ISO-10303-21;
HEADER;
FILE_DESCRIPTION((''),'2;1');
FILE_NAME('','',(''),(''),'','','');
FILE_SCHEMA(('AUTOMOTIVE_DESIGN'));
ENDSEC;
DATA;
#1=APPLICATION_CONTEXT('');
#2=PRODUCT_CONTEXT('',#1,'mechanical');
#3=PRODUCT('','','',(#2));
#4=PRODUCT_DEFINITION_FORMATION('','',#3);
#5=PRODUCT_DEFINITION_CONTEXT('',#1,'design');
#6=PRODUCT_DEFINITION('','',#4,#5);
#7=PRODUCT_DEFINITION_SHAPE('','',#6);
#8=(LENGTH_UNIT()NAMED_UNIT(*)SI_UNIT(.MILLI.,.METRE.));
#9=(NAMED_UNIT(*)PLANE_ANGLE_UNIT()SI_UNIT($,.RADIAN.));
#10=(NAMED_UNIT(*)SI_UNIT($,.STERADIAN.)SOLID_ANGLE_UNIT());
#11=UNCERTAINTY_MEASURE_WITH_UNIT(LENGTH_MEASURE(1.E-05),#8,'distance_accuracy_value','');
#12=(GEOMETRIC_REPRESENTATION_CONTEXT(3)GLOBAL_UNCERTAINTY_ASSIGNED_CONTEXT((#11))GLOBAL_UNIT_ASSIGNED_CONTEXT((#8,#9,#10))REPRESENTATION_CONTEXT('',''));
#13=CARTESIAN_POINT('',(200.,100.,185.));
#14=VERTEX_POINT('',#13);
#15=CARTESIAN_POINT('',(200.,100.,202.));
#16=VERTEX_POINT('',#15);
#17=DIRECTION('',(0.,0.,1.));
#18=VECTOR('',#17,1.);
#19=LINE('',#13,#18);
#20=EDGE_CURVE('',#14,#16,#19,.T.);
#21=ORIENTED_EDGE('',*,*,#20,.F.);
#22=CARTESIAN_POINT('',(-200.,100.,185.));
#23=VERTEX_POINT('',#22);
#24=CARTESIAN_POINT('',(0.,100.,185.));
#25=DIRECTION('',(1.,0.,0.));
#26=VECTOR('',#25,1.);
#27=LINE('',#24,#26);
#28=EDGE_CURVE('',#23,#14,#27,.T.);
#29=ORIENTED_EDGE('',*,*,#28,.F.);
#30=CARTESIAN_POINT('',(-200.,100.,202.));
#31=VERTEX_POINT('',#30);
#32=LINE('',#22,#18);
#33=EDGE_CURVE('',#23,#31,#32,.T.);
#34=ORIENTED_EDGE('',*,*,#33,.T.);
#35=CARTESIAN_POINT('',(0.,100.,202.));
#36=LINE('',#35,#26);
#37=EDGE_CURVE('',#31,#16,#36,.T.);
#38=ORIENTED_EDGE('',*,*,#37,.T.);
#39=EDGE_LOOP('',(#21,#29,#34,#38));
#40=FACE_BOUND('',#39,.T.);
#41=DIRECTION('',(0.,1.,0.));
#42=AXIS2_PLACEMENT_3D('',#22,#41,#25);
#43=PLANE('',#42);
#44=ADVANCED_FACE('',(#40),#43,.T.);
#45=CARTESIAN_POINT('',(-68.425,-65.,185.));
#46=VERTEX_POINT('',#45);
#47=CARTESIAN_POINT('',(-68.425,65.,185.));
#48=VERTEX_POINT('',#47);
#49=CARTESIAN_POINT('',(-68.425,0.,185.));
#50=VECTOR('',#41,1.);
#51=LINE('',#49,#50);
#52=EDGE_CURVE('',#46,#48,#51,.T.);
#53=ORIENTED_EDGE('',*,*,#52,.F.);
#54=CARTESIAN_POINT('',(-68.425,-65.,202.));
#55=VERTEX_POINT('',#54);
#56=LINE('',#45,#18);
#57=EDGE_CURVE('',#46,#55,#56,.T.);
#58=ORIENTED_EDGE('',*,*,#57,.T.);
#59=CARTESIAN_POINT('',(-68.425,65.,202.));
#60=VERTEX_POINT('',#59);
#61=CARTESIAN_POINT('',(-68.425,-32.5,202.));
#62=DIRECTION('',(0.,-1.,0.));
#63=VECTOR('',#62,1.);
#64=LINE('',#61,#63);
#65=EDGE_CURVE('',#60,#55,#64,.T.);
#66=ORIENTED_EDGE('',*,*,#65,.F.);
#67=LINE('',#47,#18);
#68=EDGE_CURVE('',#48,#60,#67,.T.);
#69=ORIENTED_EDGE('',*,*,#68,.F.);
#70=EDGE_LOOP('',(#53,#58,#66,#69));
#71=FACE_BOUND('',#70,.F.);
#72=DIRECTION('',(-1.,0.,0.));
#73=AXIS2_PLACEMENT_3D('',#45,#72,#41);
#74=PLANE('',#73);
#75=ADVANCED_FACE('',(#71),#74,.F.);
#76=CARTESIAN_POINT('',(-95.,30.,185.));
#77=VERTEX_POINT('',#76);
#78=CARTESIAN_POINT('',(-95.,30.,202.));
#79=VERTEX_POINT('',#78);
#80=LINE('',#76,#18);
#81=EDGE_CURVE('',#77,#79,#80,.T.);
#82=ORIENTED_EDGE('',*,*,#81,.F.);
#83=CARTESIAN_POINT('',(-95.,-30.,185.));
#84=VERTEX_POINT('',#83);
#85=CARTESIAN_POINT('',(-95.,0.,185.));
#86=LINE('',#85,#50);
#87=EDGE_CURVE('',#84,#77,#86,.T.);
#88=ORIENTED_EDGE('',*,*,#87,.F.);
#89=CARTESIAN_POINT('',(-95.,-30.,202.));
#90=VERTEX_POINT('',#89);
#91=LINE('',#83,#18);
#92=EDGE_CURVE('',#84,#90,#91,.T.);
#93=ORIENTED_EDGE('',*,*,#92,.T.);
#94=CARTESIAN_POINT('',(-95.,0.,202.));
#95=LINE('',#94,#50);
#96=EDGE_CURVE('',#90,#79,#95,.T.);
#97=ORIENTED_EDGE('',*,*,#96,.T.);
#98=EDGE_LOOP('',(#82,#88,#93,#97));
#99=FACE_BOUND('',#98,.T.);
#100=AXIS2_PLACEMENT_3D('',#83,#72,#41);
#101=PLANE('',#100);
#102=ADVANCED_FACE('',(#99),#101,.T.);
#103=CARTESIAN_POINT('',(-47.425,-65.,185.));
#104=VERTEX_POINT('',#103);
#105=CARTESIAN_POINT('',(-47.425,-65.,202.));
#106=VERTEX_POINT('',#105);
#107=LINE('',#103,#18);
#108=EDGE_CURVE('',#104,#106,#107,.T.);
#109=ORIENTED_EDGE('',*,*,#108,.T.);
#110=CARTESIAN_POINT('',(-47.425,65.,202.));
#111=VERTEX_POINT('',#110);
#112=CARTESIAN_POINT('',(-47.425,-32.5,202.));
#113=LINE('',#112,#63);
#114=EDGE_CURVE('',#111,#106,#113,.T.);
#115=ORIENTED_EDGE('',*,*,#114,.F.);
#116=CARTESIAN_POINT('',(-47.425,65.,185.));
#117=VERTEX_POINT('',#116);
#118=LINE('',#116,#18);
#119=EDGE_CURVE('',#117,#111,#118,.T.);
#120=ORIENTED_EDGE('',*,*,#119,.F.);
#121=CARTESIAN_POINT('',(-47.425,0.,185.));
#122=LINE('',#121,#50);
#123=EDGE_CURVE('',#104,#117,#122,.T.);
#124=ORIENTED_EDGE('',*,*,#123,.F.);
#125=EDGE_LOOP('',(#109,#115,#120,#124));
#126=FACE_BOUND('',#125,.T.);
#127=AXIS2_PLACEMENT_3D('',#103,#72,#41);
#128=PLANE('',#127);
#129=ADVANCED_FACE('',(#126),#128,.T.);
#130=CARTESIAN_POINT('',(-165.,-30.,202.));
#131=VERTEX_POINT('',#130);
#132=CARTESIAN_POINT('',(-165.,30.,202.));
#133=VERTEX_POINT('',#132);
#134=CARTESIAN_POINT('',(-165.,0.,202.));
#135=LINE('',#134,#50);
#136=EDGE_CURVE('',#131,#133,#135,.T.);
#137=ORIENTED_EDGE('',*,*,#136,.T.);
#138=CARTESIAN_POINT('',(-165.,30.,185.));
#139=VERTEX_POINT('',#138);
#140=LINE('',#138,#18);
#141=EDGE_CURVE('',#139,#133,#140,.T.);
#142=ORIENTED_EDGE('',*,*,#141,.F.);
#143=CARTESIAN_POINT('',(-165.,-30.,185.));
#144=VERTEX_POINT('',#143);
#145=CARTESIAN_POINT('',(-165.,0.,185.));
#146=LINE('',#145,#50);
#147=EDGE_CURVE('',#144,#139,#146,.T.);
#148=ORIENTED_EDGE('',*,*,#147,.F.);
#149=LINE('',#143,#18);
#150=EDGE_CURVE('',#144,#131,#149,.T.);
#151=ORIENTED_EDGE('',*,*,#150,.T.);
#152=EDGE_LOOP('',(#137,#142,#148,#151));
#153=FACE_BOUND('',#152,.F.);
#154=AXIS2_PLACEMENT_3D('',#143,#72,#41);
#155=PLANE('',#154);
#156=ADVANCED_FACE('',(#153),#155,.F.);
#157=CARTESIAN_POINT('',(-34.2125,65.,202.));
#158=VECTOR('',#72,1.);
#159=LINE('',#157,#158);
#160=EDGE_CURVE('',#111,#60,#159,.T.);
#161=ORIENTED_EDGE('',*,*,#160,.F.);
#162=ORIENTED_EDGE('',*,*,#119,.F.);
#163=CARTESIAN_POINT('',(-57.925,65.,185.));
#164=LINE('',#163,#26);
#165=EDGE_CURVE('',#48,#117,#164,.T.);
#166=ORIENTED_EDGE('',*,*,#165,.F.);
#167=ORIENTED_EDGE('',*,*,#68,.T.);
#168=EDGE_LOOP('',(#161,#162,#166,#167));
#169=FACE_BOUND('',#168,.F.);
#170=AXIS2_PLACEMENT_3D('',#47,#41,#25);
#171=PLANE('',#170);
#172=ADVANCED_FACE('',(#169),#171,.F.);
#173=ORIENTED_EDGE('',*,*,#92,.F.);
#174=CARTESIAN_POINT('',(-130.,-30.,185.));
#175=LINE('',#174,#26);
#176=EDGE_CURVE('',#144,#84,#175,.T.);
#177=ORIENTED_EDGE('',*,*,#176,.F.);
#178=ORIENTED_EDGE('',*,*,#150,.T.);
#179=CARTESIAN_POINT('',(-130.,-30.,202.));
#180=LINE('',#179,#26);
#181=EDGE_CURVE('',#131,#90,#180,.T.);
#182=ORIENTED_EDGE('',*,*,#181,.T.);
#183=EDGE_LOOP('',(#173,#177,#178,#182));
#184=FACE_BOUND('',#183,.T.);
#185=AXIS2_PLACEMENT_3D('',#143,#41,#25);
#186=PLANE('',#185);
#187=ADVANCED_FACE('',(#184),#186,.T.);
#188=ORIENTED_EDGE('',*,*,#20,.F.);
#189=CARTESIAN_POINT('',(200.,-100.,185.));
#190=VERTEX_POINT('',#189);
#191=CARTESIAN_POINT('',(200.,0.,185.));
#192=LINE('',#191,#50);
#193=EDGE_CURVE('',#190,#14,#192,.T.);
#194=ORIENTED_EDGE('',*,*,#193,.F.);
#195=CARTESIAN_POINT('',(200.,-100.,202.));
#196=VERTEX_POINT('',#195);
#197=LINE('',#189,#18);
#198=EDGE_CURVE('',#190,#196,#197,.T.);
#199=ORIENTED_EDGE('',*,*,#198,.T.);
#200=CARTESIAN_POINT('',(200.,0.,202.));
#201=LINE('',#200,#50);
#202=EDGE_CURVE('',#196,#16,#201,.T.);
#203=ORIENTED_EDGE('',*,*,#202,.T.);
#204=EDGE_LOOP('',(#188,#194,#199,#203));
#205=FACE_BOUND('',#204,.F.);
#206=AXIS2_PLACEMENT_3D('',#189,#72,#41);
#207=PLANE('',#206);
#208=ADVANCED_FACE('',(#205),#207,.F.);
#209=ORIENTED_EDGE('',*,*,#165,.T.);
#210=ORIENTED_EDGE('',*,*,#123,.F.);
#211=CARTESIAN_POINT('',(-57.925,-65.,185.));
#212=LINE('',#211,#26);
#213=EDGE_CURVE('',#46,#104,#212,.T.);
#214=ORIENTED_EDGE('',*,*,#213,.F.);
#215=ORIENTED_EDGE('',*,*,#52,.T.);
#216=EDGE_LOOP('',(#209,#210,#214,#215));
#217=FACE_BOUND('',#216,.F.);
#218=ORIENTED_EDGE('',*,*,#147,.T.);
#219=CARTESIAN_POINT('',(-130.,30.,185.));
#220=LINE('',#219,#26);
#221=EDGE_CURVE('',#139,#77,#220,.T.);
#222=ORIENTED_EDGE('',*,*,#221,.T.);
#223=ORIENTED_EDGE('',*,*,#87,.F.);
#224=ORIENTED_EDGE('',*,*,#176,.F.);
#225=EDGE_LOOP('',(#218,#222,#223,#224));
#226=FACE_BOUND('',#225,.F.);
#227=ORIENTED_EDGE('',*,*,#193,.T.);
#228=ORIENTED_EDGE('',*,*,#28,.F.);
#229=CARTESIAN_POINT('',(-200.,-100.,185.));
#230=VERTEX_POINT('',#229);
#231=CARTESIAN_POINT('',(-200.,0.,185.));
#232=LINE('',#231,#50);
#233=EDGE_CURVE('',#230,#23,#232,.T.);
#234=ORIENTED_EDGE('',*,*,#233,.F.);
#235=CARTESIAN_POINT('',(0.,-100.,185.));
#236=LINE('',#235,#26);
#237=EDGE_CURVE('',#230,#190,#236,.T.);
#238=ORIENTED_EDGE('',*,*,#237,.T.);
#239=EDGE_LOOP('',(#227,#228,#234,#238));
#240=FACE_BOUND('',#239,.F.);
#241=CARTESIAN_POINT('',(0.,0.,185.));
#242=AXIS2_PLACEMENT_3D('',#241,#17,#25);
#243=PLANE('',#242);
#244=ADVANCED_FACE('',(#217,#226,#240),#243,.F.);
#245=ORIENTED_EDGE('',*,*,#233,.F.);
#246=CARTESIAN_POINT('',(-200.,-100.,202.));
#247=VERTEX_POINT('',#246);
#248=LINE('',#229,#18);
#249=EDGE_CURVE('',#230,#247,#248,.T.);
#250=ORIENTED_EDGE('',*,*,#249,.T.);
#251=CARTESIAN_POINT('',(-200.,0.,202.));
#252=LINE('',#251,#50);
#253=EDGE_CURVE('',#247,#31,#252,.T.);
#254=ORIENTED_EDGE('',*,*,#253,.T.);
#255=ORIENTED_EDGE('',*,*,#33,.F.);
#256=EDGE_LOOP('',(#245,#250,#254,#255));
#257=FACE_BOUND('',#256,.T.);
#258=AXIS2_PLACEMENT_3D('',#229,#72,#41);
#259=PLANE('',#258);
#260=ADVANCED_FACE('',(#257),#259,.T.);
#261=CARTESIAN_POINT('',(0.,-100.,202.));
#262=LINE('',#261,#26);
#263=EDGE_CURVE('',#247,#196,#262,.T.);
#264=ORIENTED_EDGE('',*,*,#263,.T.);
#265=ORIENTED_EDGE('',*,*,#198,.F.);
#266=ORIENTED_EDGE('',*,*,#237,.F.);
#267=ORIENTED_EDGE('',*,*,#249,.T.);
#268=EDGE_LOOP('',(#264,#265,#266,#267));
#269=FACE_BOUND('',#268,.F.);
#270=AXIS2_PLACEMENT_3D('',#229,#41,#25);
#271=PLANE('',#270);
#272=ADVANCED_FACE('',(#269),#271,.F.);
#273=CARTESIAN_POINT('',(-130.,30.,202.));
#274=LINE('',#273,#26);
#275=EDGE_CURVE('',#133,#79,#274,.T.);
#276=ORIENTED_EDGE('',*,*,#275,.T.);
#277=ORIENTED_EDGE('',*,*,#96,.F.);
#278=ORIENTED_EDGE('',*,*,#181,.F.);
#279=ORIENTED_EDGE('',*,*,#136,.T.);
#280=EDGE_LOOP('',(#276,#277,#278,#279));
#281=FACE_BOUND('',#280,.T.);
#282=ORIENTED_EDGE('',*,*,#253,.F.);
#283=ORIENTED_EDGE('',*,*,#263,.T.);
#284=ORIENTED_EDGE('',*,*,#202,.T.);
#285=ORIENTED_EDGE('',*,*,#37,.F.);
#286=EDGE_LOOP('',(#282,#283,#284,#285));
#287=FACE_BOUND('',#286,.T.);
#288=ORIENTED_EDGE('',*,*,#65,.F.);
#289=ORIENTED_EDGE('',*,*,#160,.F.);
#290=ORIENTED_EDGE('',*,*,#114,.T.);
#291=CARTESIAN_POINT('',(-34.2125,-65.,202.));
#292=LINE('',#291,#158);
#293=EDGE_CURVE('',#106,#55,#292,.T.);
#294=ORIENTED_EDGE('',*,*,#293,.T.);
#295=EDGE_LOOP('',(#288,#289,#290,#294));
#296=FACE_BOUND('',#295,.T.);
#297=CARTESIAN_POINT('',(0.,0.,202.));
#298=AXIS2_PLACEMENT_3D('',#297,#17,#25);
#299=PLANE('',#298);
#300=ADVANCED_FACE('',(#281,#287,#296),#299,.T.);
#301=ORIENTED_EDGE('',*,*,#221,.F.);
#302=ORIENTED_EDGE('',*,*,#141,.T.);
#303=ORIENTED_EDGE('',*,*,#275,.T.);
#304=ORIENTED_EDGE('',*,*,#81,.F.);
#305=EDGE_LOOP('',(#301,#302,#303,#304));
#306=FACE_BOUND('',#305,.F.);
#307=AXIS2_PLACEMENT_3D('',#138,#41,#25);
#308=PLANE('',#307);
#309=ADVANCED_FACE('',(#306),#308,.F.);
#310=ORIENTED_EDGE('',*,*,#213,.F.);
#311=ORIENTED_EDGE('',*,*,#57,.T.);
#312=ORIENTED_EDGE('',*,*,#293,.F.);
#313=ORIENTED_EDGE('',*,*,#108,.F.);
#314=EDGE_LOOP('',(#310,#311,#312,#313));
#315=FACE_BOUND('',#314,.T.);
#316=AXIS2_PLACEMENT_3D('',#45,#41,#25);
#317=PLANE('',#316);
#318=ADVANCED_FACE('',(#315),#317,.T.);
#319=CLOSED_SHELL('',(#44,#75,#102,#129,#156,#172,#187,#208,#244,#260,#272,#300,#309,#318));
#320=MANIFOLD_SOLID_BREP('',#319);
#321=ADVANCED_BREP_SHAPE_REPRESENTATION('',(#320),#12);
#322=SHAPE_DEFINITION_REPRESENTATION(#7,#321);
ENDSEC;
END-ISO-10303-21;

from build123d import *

# Parameters (mm, degrees)
SKETCH002_W     = 400
SKETCH002_H     = 200
PAD001_DEPTH    = 17
SKETCH001_W     = 70
SKETCH001_H     = 60
POCKET_DEPTH    = 17
SKETCH011_W     = 21
SKETCH011_H     = 130
POCKET003_DEPTH = 17.001


with BuildPart() as part:
    # Sketch002 → Pad001 (new body)
    with BuildSketch(Plane.XY):
        Rectangle(SKETCH002_W, SKETCH002_H)
    extrude(amount=PAD001_DEPTH)

    # Sketch001 → Pocket (cut)
    with BuildSketch(Plane.XY):
        with Locations((-130, 0)):
            Rectangle(SKETCH001_W, SKETCH001_H)
    extrude(amount=POCKET_DEPTH, mode=Mode.SUBTRACT)

    # Sketch011 → Pocket003 (cut, through all)
    with BuildSketch(Plane.XY):
        with Locations((-57.925, 0)):
            Rectangle(SKETCH011_W, SKETCH011_H)
    extrude(amount=POCKET003_DEPTH, mode=Mode.SUBTRACT)


with BuildPart() as part_1:
    # Body placement: moved
    add(part.part.moved(Location((0, 0, 185))))


solid = part_1.part
